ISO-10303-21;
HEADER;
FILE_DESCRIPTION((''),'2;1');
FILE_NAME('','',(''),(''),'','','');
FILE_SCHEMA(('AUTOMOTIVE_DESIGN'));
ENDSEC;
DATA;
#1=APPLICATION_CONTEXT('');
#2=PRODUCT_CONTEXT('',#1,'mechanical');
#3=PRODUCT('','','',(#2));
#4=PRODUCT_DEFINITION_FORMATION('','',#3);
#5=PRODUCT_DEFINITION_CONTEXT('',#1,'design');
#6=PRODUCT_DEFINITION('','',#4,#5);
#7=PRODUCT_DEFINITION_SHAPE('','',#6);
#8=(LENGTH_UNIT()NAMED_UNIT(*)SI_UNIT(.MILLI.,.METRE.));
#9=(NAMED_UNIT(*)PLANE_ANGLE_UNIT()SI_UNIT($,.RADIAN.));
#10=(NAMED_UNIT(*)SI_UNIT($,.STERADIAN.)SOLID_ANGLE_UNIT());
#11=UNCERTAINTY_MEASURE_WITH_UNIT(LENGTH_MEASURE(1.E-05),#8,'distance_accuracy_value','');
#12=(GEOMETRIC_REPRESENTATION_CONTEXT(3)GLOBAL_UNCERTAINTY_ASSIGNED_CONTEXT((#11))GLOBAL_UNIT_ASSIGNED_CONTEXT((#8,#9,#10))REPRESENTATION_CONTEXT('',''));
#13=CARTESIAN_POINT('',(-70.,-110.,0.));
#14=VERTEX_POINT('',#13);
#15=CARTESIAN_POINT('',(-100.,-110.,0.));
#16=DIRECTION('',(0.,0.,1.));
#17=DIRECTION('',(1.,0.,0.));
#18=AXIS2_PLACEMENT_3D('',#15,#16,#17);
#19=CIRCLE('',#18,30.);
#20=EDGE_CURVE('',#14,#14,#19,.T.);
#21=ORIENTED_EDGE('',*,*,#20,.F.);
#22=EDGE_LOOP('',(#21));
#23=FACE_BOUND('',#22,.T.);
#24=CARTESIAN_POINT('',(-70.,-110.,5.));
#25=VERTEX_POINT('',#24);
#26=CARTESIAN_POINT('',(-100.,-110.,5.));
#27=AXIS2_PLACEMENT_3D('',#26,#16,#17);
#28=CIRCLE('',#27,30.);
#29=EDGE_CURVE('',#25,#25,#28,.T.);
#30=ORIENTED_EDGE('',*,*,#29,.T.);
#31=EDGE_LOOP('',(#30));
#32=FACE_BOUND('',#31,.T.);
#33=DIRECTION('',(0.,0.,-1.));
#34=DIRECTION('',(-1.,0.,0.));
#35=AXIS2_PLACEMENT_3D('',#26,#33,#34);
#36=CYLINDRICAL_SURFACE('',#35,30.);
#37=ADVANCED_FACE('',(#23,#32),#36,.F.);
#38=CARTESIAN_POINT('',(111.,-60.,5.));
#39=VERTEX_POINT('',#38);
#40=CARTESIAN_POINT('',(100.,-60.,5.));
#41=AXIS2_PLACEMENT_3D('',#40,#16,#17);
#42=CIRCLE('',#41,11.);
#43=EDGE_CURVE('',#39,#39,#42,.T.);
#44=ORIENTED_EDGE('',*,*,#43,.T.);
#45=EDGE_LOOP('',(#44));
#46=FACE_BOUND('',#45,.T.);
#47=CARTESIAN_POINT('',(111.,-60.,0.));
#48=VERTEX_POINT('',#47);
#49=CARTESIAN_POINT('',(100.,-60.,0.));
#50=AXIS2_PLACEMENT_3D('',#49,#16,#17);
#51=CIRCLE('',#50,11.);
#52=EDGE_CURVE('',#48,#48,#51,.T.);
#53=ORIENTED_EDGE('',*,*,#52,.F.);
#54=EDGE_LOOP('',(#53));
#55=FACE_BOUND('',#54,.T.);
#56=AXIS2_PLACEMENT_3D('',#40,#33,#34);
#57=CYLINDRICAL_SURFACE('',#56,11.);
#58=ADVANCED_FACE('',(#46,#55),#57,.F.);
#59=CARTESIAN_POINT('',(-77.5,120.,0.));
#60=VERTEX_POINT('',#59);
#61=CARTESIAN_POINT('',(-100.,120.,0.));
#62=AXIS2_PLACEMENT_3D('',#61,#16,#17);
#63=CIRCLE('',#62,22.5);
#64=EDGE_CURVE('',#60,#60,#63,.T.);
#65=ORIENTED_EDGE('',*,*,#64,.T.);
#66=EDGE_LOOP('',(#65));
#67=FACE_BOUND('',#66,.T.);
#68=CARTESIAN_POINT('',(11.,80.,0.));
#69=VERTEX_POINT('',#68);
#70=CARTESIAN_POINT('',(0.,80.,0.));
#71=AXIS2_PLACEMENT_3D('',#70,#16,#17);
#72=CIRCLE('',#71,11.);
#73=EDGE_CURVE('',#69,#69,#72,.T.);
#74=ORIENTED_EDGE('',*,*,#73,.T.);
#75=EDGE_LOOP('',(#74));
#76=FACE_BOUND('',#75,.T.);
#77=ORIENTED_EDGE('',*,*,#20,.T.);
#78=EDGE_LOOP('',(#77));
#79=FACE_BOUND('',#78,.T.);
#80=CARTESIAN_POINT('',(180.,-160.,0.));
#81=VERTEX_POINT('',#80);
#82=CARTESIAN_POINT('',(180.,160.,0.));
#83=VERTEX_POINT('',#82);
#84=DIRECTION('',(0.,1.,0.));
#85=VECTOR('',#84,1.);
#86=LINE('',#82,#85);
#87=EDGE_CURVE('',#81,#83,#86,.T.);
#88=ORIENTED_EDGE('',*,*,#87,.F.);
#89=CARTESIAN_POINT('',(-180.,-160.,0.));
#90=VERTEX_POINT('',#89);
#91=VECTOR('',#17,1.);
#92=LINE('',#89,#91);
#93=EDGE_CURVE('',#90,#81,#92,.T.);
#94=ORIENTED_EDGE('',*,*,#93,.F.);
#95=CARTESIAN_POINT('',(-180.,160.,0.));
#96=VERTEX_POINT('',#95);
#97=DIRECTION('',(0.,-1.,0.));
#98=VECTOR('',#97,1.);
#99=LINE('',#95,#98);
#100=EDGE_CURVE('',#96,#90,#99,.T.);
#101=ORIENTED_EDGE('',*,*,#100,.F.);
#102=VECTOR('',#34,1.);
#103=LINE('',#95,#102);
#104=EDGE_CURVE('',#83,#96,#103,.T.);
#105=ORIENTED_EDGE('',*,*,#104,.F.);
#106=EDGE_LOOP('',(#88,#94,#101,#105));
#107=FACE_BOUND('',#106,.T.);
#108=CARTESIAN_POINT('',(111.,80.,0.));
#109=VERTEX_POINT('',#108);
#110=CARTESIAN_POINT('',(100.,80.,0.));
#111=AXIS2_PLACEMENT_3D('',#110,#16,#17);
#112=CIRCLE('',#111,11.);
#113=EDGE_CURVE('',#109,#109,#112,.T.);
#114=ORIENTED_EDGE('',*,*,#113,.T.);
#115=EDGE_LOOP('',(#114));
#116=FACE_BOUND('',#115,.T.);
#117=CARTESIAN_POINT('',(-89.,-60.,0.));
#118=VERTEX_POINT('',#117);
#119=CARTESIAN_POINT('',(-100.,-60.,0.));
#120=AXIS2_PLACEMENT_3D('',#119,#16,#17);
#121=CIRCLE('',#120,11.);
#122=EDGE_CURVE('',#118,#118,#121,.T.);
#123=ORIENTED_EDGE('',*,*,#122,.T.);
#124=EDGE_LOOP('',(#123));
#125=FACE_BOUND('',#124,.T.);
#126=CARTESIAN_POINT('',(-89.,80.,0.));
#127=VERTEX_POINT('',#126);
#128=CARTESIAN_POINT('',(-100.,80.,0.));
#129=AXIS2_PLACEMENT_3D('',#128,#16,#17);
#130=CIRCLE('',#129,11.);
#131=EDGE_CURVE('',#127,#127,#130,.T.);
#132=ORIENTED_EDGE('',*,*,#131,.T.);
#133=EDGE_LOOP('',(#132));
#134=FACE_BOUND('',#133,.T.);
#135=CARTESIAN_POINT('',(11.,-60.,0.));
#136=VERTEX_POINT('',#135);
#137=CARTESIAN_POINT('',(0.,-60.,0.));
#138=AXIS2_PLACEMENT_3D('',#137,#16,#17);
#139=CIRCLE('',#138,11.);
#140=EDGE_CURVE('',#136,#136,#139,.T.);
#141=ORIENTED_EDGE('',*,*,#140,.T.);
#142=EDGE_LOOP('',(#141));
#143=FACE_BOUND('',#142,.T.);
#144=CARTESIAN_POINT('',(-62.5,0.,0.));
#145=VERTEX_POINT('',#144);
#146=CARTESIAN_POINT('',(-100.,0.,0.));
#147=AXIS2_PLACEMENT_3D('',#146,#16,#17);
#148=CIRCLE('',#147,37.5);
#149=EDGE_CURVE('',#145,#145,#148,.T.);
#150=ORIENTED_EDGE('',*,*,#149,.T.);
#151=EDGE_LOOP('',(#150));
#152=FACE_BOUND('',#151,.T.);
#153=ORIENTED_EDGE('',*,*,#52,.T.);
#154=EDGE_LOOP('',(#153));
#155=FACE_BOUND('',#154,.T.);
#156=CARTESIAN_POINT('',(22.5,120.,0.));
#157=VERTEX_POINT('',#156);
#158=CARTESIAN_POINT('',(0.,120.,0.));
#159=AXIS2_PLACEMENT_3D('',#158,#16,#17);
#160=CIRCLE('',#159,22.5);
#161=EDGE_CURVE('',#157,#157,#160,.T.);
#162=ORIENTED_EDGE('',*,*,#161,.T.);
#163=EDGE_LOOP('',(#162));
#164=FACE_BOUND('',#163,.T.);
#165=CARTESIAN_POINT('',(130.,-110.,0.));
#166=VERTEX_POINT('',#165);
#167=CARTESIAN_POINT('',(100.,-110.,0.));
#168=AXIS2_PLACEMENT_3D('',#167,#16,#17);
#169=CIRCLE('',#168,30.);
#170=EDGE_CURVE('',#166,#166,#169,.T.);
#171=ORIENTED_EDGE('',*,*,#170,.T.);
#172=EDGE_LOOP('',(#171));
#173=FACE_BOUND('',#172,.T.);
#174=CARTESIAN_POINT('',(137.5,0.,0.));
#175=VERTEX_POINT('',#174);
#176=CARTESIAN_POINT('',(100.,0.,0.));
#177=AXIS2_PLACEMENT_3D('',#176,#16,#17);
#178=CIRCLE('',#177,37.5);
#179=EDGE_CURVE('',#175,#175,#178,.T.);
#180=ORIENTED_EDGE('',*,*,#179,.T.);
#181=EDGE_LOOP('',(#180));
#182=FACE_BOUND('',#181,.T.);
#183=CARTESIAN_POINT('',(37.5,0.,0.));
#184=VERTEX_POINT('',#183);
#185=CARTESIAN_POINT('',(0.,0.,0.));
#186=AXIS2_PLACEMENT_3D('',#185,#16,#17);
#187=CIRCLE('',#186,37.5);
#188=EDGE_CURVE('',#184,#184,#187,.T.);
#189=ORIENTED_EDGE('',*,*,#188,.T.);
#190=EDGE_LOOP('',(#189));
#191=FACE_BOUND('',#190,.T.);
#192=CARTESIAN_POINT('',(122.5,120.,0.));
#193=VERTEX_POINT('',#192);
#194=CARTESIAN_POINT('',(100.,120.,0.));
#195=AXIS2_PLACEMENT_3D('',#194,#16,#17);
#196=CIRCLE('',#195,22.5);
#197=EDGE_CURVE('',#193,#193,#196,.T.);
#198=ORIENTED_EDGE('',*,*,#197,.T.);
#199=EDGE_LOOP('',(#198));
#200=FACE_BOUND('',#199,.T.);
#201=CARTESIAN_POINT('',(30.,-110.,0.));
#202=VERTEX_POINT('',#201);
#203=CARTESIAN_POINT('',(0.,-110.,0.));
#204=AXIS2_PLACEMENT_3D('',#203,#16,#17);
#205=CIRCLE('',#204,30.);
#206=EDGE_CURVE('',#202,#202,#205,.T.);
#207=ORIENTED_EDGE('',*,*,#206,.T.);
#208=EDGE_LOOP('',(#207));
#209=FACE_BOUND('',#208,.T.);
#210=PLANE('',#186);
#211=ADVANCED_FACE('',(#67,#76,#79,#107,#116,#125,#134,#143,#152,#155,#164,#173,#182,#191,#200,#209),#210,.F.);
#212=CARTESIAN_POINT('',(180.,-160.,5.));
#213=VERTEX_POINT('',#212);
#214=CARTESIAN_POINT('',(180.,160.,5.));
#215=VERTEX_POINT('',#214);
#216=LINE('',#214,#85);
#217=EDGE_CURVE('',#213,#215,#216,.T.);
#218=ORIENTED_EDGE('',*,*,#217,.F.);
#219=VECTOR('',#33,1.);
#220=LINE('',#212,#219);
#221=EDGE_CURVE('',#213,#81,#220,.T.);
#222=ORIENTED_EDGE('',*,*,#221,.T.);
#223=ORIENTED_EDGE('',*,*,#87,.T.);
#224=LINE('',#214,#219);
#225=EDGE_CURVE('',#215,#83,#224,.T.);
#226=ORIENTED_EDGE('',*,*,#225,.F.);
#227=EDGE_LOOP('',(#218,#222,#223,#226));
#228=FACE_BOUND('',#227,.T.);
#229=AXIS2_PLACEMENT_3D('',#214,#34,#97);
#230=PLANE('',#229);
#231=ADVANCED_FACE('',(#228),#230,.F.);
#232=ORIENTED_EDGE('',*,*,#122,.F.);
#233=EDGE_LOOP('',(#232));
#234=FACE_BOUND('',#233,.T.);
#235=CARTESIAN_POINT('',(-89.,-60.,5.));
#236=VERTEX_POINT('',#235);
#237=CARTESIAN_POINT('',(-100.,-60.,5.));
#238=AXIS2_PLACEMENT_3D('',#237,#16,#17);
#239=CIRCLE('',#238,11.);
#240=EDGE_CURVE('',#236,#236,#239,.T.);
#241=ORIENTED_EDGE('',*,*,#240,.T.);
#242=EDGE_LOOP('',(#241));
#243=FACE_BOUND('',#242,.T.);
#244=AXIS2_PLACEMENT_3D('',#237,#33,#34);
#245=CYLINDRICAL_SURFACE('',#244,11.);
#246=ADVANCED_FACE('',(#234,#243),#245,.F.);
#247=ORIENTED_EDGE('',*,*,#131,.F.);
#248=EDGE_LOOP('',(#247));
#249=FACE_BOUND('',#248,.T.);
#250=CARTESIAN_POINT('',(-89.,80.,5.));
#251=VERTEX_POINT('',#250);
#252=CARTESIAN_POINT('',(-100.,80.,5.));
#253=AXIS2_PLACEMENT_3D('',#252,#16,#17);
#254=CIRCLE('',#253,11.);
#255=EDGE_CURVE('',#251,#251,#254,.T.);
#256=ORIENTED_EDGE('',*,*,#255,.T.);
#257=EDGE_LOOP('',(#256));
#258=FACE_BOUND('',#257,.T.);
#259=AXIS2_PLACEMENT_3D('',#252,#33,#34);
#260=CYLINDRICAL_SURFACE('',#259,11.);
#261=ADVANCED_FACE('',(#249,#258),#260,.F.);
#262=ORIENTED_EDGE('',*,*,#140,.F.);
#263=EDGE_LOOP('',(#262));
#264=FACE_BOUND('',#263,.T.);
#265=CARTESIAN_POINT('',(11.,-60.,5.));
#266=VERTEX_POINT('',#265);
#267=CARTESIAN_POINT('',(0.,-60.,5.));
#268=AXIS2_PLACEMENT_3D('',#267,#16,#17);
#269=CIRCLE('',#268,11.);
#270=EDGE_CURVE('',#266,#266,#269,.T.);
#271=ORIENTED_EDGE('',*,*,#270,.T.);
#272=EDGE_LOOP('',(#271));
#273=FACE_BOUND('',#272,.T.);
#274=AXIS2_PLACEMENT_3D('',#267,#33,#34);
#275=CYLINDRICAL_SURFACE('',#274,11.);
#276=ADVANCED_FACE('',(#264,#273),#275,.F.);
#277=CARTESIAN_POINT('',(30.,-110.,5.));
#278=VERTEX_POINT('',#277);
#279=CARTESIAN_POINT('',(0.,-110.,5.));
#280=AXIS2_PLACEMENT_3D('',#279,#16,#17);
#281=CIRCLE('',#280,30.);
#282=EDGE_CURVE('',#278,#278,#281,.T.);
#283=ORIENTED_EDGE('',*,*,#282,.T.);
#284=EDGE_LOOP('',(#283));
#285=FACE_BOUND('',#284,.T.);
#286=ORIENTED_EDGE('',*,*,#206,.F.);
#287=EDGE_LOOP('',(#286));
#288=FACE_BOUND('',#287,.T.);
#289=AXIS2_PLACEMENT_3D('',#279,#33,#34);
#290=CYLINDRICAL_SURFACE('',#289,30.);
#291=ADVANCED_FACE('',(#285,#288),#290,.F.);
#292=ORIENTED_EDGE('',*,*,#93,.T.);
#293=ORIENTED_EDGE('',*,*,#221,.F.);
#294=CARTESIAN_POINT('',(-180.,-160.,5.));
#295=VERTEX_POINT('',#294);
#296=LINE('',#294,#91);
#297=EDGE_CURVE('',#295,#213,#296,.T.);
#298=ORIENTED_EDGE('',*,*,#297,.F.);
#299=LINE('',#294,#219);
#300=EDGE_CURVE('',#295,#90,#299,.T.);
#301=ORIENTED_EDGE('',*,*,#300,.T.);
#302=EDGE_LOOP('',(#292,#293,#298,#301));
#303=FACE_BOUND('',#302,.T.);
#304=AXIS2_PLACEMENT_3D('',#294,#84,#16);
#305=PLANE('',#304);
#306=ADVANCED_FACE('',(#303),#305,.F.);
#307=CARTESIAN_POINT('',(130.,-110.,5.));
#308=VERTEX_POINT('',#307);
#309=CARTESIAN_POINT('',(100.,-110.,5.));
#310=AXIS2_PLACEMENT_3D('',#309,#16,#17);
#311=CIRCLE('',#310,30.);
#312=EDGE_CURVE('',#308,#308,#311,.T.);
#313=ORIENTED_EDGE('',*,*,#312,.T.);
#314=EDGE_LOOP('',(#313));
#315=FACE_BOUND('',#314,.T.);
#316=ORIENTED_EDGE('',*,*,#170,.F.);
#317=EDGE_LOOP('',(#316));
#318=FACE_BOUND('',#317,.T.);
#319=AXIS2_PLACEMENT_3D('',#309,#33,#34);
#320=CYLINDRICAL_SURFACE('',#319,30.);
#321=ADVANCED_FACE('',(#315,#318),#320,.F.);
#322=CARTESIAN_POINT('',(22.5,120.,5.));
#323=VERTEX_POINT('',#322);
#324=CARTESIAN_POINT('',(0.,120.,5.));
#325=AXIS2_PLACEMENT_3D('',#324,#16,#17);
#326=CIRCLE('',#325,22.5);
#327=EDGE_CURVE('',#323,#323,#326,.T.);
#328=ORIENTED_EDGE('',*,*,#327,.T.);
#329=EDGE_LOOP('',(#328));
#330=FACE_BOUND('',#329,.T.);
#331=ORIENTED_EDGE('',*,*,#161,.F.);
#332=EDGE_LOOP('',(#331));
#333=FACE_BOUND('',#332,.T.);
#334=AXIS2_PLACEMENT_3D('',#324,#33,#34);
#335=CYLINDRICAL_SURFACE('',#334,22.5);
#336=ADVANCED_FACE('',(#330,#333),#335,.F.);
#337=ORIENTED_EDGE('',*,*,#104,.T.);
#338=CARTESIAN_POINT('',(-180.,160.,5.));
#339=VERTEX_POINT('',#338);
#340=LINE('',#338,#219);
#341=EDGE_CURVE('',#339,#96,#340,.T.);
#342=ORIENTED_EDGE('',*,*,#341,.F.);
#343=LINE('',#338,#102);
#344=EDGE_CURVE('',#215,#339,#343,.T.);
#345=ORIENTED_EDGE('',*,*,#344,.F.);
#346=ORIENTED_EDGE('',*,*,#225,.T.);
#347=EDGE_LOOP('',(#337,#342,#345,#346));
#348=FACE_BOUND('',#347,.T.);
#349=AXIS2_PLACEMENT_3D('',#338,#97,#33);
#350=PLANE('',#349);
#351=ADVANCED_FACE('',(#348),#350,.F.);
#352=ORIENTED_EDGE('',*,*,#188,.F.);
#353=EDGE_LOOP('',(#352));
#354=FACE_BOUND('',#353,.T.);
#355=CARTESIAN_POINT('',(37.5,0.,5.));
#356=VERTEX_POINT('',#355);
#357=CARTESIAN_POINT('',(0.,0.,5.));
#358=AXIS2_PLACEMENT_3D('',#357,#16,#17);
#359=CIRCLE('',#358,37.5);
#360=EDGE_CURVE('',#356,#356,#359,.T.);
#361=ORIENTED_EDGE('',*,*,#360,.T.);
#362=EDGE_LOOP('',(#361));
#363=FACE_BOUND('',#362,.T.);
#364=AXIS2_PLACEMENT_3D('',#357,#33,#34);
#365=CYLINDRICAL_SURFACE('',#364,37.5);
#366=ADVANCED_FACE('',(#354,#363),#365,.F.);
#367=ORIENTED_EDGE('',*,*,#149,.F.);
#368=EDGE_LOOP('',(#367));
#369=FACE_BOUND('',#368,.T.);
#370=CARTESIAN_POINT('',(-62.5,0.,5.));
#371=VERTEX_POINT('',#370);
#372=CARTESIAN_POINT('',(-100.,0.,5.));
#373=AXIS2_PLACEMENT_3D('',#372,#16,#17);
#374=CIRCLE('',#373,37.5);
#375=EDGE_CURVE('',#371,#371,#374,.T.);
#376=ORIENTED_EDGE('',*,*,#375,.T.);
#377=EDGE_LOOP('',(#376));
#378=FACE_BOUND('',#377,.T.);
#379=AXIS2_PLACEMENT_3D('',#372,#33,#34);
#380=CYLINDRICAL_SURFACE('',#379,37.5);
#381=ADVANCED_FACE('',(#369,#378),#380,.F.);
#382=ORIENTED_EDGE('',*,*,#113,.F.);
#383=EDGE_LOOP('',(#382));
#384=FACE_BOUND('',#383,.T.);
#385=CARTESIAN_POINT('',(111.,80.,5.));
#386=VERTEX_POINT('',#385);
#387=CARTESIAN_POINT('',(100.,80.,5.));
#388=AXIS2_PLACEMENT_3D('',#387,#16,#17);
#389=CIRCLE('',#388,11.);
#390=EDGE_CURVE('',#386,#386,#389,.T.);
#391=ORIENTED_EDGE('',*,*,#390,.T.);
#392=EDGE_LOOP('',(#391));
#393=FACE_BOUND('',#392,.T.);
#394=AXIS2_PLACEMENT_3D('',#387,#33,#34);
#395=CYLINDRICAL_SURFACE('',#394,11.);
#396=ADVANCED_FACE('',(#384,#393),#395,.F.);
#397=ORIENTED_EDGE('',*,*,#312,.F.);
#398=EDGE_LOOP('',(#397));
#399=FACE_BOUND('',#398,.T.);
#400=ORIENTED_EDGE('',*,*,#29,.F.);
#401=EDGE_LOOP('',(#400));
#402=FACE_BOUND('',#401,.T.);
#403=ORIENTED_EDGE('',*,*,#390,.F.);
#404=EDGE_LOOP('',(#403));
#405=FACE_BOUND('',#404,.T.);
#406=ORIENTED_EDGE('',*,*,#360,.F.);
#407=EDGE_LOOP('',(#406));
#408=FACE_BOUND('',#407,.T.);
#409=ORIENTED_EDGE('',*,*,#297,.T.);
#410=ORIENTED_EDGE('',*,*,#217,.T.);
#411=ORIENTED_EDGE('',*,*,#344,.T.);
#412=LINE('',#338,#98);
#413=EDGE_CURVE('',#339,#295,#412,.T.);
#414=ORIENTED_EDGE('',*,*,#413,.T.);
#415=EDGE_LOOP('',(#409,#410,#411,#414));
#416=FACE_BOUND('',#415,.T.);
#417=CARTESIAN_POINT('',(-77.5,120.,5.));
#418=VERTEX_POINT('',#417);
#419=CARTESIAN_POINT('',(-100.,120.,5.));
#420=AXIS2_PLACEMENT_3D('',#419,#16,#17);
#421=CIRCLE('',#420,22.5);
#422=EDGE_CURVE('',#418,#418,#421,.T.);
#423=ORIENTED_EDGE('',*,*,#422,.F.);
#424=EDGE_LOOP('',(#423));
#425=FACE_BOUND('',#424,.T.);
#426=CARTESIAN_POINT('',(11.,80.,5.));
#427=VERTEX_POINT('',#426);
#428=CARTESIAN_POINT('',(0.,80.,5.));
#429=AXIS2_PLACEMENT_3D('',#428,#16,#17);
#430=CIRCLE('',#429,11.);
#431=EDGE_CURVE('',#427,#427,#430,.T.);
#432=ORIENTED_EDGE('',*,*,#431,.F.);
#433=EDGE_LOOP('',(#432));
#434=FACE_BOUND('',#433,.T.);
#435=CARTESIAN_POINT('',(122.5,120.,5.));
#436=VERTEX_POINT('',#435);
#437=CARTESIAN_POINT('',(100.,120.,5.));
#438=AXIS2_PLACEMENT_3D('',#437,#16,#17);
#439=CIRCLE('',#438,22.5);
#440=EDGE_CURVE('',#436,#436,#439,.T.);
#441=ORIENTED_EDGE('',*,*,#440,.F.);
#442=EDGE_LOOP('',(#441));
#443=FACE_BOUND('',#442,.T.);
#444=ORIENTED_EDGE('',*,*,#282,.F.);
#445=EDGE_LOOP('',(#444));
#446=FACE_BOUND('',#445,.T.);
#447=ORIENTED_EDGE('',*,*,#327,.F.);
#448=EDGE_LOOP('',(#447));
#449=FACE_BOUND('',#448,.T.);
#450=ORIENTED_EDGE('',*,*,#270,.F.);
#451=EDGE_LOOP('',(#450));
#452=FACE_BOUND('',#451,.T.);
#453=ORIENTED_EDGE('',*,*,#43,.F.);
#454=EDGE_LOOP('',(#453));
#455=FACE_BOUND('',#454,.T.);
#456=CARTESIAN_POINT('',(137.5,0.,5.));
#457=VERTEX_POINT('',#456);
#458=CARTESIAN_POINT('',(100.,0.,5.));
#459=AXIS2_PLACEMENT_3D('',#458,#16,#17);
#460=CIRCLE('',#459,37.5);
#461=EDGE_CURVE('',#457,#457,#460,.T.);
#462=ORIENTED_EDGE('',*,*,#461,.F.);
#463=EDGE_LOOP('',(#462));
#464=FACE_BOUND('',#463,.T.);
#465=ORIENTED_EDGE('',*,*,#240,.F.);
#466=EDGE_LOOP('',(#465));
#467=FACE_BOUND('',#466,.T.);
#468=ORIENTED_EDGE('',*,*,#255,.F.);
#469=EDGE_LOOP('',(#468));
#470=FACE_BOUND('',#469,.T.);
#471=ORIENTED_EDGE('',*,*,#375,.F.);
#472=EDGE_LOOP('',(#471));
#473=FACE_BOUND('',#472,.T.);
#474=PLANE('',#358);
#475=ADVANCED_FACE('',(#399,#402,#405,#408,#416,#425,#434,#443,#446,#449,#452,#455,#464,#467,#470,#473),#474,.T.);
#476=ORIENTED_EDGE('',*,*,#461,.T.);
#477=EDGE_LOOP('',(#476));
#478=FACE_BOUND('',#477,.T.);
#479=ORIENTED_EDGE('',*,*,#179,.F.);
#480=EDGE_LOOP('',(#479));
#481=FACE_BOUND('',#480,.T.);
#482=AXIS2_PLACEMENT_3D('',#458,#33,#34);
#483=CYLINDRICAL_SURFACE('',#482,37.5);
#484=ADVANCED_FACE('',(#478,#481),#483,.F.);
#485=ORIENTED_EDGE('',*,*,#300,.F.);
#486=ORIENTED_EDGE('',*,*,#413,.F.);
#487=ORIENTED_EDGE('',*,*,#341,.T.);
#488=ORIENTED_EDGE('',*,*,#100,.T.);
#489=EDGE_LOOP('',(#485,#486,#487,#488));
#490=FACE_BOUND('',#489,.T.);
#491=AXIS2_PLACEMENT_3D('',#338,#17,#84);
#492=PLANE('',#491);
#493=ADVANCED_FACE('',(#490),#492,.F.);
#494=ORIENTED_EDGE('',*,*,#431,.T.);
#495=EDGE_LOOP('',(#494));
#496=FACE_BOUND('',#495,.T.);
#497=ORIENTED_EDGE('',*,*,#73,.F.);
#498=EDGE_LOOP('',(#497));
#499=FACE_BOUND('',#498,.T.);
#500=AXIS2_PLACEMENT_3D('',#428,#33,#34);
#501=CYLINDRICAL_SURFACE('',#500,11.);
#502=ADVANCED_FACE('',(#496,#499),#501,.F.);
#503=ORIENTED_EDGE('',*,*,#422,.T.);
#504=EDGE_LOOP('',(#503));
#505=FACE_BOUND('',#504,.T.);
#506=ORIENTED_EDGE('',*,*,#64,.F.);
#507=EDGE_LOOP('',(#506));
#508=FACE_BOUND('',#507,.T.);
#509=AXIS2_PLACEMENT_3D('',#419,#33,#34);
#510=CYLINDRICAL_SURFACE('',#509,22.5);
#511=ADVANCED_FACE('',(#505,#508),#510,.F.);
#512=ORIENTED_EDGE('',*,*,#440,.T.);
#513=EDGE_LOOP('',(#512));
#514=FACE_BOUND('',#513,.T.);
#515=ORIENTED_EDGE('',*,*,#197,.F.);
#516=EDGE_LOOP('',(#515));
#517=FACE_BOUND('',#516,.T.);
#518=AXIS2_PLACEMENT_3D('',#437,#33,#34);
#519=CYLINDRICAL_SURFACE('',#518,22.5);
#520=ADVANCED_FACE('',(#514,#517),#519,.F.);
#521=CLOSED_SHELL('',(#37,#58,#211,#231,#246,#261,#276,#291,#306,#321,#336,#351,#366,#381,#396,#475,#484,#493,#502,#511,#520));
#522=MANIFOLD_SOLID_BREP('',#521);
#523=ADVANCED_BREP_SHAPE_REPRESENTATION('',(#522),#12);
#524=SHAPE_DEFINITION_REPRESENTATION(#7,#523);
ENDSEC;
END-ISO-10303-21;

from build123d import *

# Parameters (mm, degrees)
ESBO_O1_W                = 360
ESBO_O1_H                = 320
ESBO_O1_R                = 11
ESBO_O1_R_2              = 37.5
ESBO_O1_R_3              = 30
ESBO_O1_R_4              = 22.5
RESSALTO_EXTRUS_O1_DEPTH = 5


with BuildPart() as part:
    # Esboço1 → Ressalto-extrusão1 (new body)
    with BuildSketch(Plane.XY):
        Rectangle(ESBO_O1_W, ESBO_O1_H)
        with Locations((0, 80)):
            Circle(ESBO_O1_R, mode=Mode.SUBTRACT)
        with Locations((-100, 80)):
            Circle(ESBO_O1_R, mode=Mode.SUBTRACT)
        with Locations((100, 80)):
            Circle(ESBO_O1_R, mode=Mode.SUBTRACT)
        with Locations((0, -60)):
            Circle(ESBO_O1_R, mode=Mode.SUBTRACT)
        with Locations((100, -60)):
            Circle(ESBO_O1_R, mode=Mode.SUBTRACT)
        with Locations((-100, -60)):
            Circle(ESBO_O1_R, mode=Mode.SUBTRACT)
        with Locations((-100, 0)):
            Circle(ESBO_O1_R_2, mode=Mode.SUBTRACT)
        Circle(ESBO_O1_R_2, mode=Mode.SUBTRACT)
        with Locations((100, 0)):
            Circle(ESBO_O1_R_2, mode=Mode.SUBTRACT)
        with Locations((100, -110)):
            Circle(ESBO_O1_R_3, mode=Mode.SUBTRACT)
        with Locations((0, -110)):
            Circle(ESBO_O1_R_3, mode=Mode.SUBTRACT)
        with Locations((-100, -110)):
            Circle(ESBO_O1_R_3, mode=Mode.SUBTRACT)
        with Locations((-100, 120)):
            Circle(ESBO_O1_R_4, mode=Mode.SUBTRACT)
        with Locations((0, 120)):
            Circle(ESBO_O1_R_4, mode=Mode.SUBTRACT)
        with Locations((100, 120)):
            Circle(ESBO_O1_R_4, mode=Mode.SUBTRACT)
    extrude(amount=RESSALTO_EXTRUS_O1_DEPTH)


solid = part.part
